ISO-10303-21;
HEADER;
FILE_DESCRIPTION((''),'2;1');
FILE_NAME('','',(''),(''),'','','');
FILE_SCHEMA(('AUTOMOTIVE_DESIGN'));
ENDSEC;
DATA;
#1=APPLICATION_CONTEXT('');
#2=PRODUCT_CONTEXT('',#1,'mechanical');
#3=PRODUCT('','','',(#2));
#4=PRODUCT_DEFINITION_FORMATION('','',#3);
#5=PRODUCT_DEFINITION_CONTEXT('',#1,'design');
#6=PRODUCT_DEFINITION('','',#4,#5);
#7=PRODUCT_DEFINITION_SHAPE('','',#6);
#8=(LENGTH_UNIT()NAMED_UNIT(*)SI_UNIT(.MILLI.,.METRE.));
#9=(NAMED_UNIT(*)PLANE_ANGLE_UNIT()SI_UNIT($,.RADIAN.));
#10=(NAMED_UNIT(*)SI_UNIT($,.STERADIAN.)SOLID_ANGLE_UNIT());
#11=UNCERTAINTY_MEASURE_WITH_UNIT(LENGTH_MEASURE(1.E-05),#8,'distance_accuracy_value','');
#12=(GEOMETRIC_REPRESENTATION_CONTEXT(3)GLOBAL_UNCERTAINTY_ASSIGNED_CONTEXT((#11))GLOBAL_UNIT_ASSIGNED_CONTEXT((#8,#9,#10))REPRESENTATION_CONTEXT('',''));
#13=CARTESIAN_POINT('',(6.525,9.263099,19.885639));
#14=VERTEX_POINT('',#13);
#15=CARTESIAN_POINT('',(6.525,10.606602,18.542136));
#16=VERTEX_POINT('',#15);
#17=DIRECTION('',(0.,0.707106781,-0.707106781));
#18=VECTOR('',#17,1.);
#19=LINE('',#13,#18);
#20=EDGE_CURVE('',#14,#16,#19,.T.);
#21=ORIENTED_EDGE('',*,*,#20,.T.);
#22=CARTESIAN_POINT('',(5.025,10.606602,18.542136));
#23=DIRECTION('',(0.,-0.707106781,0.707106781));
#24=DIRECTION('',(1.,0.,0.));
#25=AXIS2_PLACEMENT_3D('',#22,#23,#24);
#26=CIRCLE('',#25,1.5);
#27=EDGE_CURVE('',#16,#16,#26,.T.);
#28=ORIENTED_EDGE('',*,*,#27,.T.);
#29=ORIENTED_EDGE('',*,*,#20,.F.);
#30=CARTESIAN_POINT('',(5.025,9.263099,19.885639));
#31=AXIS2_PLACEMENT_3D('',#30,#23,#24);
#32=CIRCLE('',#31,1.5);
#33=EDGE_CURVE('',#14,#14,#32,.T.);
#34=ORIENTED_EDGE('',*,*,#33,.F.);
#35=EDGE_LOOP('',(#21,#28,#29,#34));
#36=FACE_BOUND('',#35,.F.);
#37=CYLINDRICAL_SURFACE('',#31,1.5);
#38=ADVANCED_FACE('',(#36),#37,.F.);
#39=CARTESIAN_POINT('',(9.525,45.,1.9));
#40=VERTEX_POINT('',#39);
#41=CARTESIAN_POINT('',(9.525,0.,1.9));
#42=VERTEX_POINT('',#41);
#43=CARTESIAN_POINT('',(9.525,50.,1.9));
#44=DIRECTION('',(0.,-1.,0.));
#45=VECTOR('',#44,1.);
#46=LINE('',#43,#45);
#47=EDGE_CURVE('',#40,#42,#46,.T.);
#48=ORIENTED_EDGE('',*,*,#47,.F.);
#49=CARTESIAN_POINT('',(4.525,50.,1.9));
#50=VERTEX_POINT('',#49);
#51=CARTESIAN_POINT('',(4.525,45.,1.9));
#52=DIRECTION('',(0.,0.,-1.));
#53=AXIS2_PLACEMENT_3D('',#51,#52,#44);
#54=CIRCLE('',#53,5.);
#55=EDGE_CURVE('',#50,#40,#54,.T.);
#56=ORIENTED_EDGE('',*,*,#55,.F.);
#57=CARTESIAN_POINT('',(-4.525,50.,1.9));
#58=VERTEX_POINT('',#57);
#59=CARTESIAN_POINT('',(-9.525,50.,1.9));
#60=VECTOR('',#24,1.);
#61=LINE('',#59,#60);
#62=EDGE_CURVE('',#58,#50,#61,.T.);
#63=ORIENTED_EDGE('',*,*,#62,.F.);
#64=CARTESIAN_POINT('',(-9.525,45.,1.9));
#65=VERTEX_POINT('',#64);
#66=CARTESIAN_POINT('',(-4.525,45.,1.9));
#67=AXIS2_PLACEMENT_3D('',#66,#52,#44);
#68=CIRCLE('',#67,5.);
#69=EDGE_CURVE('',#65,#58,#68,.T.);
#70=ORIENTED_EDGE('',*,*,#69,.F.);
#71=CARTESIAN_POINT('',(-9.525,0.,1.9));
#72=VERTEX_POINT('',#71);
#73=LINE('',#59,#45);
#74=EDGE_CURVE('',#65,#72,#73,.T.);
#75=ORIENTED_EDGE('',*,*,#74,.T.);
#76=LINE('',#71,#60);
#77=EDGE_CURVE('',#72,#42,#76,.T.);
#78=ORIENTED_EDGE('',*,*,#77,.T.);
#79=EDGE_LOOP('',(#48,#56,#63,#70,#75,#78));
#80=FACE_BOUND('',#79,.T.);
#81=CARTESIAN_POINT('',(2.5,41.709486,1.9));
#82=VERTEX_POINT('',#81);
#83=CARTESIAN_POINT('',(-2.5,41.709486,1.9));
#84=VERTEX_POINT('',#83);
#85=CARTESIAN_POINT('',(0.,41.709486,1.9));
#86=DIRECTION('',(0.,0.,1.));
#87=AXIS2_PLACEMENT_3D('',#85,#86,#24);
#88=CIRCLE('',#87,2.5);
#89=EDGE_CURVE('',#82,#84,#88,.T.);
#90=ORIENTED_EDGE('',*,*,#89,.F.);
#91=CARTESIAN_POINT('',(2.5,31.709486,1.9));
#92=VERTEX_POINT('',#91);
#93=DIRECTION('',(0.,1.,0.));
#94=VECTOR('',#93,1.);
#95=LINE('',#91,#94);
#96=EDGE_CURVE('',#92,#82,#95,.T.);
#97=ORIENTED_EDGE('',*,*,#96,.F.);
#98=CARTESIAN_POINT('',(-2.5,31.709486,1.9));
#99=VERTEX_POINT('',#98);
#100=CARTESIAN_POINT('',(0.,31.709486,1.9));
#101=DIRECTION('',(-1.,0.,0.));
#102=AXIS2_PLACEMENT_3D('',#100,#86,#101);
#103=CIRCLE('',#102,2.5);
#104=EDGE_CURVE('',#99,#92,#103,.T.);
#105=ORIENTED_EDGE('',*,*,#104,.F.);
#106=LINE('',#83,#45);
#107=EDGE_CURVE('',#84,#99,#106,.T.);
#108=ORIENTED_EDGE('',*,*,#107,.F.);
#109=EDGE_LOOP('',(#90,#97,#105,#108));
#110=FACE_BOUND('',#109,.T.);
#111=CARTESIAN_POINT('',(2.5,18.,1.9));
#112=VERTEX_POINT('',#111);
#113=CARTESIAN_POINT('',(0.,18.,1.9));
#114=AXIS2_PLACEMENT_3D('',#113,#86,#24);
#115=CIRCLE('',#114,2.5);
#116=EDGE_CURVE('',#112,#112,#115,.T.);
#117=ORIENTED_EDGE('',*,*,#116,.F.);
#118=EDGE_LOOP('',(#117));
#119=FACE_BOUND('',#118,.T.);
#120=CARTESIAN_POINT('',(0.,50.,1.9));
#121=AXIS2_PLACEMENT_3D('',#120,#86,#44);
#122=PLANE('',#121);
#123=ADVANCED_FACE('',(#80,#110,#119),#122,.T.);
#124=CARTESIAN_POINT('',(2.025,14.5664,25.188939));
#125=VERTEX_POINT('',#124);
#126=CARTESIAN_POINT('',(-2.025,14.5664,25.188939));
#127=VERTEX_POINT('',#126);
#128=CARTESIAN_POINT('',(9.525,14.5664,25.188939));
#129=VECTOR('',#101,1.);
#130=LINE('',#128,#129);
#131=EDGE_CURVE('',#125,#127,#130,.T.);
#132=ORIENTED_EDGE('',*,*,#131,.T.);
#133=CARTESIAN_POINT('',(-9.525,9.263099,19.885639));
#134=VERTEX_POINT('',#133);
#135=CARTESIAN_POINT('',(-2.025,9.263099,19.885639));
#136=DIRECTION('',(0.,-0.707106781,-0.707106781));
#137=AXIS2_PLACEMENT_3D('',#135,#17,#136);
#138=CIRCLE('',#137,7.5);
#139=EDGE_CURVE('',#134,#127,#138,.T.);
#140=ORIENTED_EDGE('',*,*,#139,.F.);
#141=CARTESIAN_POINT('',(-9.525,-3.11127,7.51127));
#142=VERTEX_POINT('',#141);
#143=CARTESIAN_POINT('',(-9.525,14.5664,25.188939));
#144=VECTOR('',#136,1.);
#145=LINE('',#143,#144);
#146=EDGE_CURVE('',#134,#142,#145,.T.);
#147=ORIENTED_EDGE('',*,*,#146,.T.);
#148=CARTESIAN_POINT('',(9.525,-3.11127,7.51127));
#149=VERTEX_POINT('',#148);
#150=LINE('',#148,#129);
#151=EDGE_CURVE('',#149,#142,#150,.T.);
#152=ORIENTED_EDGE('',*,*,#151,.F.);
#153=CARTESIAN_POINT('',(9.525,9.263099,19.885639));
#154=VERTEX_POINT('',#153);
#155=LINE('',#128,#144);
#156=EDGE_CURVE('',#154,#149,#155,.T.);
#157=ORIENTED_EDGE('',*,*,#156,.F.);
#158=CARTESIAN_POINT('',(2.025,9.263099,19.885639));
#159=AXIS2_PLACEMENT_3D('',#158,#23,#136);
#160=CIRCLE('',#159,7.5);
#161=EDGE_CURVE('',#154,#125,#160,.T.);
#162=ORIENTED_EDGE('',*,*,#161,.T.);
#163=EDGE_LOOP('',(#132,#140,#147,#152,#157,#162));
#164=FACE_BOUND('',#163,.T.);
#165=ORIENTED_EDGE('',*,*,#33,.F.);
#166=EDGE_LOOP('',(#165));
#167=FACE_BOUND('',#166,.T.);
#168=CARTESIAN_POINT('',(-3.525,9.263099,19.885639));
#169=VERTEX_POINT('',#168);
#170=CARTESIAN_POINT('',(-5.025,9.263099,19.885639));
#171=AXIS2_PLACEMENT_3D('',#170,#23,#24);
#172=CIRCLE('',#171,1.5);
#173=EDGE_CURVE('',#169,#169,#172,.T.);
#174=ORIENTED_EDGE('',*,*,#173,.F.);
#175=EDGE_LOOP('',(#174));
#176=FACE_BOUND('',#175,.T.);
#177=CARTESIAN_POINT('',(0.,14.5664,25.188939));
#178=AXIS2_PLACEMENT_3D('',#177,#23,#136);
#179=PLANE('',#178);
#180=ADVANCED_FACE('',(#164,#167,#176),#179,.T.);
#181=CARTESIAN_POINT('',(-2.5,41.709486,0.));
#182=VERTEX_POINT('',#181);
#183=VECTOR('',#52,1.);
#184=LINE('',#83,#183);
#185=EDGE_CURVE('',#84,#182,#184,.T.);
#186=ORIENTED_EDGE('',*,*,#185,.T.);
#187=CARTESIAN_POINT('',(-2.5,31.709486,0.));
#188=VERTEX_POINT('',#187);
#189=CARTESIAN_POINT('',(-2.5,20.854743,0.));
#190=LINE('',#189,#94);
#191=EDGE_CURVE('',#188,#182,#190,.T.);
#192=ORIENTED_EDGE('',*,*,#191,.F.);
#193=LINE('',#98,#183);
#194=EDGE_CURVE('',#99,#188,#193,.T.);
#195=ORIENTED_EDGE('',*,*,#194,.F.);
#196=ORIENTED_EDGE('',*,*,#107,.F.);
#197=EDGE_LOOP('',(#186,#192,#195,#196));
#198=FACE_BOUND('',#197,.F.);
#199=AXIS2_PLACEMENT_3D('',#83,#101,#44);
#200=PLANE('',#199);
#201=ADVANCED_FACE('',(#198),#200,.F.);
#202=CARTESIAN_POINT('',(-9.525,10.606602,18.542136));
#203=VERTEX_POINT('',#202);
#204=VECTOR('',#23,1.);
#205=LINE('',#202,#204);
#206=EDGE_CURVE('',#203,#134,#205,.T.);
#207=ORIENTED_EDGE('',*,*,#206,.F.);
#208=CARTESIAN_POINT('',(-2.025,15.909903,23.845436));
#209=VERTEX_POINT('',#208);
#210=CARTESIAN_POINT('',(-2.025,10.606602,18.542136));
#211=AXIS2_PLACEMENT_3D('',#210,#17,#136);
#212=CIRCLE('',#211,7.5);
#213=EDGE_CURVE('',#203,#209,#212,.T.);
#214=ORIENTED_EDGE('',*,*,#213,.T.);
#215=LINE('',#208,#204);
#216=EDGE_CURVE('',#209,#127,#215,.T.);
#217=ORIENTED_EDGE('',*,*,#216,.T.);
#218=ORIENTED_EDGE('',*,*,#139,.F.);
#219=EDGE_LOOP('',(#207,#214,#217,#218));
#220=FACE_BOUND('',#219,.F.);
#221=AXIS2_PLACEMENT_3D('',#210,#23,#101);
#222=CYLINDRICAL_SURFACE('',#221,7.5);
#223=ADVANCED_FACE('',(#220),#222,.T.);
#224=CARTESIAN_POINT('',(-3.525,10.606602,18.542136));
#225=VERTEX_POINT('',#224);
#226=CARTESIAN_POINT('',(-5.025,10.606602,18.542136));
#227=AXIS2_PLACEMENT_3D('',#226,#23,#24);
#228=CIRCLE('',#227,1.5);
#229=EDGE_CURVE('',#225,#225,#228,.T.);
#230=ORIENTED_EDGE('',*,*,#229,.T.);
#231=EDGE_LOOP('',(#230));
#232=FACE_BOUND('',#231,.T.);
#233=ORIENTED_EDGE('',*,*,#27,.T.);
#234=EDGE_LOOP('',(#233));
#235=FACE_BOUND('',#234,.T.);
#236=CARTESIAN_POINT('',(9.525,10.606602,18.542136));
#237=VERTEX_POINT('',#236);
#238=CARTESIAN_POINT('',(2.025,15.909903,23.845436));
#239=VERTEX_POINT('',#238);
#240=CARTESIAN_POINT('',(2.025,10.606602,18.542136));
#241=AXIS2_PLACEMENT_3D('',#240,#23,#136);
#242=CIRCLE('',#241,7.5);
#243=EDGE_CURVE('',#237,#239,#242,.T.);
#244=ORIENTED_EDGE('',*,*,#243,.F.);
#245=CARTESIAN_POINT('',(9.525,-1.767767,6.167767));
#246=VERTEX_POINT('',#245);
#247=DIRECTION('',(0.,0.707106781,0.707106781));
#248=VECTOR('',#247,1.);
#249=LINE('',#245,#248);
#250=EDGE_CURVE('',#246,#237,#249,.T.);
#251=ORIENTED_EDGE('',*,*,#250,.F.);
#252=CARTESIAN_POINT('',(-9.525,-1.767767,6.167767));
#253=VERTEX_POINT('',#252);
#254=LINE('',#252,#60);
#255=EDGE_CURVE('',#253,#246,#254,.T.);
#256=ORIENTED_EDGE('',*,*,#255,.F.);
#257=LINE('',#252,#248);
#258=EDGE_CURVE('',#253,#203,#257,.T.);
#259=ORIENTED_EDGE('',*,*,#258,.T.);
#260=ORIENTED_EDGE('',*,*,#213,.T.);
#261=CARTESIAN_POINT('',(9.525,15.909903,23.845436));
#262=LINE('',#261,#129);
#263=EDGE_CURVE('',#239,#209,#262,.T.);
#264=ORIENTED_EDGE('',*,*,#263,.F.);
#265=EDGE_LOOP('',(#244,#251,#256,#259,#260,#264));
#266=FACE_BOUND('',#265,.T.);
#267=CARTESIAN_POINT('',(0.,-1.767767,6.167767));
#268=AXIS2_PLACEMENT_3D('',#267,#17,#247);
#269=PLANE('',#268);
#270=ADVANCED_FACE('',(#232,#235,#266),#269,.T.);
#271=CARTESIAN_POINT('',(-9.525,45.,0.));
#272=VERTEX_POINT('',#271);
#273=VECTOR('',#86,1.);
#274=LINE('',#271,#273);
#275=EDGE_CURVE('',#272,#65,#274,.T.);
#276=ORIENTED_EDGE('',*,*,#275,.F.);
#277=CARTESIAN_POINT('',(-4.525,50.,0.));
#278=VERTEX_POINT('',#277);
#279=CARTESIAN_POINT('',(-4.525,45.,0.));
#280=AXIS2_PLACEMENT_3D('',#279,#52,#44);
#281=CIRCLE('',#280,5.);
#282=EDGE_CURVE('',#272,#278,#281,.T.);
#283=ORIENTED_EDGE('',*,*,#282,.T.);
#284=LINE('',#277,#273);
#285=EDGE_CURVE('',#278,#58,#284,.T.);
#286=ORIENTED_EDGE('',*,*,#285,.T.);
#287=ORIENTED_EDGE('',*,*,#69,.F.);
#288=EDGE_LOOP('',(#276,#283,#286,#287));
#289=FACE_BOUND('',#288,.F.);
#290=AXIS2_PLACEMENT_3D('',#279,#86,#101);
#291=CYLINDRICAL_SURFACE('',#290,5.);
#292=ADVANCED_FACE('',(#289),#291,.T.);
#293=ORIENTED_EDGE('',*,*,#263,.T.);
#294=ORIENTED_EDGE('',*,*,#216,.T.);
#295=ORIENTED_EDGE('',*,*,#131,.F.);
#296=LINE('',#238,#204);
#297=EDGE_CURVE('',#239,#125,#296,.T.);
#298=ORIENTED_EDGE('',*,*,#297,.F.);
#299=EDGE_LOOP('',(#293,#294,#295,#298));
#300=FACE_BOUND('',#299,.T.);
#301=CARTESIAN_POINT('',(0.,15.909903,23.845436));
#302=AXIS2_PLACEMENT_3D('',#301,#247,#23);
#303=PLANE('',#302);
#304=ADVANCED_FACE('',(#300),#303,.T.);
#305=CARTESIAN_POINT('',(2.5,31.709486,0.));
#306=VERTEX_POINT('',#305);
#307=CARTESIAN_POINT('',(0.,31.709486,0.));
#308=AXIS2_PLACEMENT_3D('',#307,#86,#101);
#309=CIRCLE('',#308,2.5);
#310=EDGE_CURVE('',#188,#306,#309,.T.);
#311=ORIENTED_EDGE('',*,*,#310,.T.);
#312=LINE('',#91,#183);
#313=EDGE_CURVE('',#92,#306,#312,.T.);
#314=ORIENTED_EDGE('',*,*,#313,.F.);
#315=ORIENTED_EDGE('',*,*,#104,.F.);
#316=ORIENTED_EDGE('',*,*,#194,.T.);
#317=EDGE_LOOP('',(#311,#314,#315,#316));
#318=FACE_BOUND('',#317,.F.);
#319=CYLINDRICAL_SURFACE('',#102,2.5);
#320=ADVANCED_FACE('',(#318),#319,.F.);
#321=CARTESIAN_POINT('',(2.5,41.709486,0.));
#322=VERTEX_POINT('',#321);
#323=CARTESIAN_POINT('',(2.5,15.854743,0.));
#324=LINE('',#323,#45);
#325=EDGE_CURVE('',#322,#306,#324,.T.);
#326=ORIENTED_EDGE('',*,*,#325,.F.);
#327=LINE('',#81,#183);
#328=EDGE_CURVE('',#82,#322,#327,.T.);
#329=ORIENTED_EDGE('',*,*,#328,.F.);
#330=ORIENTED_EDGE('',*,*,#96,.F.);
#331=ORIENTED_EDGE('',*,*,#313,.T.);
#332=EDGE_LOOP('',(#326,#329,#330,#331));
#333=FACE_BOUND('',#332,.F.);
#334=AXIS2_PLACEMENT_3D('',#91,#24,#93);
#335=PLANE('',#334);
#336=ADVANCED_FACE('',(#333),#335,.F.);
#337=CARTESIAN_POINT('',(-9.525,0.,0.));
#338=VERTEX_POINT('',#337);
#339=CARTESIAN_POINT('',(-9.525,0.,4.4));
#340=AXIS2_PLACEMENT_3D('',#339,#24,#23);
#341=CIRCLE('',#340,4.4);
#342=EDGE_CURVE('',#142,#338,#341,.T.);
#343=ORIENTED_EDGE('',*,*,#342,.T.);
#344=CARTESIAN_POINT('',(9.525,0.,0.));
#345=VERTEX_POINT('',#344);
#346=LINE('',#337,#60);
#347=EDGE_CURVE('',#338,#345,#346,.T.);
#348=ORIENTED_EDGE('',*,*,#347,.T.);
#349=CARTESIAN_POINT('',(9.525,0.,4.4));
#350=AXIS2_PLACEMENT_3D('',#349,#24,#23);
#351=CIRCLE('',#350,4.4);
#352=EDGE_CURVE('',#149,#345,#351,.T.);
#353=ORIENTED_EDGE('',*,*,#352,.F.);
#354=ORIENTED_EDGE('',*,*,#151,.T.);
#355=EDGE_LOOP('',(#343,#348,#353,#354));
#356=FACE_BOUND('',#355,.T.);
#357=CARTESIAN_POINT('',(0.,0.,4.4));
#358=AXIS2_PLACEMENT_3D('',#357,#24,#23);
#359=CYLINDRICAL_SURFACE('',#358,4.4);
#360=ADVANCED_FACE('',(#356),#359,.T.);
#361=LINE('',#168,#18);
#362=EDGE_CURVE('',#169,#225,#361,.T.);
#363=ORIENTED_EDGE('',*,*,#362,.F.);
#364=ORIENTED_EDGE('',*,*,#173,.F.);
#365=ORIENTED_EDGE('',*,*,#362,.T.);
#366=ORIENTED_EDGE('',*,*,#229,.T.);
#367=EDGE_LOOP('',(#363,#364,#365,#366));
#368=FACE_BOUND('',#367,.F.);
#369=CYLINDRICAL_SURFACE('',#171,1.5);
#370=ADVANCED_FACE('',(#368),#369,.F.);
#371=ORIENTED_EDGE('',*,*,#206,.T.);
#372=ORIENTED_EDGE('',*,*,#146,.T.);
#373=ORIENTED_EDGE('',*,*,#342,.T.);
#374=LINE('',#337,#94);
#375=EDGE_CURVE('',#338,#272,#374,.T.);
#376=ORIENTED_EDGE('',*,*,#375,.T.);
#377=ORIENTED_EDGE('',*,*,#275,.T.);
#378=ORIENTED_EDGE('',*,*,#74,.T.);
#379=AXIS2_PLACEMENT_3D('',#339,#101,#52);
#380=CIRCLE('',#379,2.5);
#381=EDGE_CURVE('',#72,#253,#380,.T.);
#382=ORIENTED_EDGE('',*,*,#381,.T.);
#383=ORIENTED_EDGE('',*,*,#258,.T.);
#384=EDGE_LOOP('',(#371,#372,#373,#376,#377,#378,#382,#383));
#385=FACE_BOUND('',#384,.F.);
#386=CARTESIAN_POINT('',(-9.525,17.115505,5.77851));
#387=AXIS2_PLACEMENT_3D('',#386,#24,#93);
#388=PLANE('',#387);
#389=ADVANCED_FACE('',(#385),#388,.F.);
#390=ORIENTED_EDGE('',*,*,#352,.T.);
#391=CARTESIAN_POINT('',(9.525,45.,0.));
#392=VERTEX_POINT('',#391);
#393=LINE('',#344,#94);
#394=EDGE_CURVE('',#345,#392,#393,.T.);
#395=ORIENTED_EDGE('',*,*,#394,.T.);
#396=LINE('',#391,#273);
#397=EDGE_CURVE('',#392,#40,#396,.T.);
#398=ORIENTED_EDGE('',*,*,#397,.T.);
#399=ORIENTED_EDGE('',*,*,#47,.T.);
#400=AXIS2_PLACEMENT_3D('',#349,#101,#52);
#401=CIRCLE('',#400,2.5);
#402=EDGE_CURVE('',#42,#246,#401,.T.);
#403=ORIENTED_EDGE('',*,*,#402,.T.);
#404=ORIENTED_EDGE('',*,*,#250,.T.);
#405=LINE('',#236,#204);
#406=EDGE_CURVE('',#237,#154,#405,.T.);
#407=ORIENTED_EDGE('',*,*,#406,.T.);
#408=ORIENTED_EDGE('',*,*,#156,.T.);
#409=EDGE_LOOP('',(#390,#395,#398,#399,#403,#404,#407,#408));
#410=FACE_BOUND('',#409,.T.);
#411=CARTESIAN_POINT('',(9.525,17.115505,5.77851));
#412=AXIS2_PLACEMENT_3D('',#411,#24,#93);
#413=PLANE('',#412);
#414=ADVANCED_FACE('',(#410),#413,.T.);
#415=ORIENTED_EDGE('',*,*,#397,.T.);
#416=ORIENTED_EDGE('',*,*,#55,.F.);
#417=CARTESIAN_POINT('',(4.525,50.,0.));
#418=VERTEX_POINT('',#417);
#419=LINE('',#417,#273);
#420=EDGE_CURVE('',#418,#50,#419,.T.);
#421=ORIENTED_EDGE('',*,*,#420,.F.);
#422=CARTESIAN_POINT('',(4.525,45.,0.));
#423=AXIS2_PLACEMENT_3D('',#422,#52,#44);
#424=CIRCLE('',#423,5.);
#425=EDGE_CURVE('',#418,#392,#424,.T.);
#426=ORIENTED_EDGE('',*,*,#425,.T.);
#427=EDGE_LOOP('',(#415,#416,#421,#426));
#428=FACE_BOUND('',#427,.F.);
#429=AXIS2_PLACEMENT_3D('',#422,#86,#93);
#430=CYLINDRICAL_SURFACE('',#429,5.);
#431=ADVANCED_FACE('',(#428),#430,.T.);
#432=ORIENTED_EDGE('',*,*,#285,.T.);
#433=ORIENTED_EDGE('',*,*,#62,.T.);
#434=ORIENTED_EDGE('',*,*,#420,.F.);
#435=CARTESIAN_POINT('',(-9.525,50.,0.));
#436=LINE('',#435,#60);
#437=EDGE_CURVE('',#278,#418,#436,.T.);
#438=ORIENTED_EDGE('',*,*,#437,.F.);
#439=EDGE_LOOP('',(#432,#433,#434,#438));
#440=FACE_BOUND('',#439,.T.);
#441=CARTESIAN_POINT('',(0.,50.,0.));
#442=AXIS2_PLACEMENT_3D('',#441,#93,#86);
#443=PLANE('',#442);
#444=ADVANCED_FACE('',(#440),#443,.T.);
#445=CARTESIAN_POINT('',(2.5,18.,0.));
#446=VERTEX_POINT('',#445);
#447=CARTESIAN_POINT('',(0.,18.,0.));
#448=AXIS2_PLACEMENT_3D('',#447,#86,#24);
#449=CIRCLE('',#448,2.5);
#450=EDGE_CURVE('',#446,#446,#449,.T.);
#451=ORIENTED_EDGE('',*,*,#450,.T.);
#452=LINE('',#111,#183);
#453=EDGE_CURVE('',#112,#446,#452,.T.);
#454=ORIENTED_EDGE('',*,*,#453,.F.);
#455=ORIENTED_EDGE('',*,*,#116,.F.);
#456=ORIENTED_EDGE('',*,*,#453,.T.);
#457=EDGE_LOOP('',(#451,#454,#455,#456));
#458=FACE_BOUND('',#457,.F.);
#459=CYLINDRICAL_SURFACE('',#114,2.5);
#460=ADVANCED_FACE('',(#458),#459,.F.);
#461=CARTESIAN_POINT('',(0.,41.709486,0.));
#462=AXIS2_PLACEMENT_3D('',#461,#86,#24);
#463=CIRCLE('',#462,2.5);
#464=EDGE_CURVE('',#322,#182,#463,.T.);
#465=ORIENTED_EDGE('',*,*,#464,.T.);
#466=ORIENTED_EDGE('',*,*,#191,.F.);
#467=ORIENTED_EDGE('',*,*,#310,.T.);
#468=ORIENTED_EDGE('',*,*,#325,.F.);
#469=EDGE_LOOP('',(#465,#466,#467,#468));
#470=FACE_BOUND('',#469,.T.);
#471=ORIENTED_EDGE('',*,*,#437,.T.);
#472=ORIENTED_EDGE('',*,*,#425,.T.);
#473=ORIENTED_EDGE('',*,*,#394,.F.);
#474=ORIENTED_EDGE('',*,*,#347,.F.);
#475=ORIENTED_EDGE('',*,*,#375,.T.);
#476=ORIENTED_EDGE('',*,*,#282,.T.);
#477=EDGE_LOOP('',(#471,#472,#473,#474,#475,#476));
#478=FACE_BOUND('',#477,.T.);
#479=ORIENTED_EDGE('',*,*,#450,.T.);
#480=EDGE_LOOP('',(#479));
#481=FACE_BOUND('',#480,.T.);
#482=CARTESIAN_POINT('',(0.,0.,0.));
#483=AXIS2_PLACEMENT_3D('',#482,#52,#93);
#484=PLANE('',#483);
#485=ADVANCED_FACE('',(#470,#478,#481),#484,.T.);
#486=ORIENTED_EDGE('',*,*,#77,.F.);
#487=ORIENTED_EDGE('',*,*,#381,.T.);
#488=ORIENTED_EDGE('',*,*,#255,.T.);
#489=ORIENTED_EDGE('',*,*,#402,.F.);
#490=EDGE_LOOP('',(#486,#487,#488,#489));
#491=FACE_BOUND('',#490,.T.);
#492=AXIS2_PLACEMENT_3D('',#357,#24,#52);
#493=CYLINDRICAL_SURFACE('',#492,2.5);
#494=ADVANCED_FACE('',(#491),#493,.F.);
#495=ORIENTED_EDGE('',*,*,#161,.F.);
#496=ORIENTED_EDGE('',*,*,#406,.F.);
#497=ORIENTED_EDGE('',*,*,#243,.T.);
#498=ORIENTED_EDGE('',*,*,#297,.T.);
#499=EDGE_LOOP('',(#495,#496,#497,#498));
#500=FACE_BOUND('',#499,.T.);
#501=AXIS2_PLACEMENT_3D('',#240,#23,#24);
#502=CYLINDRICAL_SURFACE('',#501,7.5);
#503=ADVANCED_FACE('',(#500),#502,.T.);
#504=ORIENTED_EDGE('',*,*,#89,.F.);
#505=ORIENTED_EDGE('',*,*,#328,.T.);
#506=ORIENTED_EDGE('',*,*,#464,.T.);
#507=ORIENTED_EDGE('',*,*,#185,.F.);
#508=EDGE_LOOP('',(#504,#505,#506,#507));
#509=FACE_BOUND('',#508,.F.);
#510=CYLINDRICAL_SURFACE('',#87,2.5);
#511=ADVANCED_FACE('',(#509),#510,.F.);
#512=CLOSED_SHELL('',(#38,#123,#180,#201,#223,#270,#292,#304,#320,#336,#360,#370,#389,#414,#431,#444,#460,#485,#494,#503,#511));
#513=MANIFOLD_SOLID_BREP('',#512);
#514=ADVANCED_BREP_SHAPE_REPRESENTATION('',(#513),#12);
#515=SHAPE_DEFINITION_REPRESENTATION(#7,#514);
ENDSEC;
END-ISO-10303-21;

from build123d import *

# Parameters (mm, degrees)
F1_DEPTH = 9.525
F2_R     = 2.5
F3_DEPTH = 1.901
F4_R     = 1.5
F5_DEPTH = 1.9
F6_R     = 7.5
F7_R     = 5


with BuildPart() as f1:
    # F0 (on Right) → F1 (new body, symmetric)
    with BuildSketch(Plane.YZ):
        with BuildLine():
            ThreePointArc((-3.1112698372, 7.5112698372), (-4.065069943, 2.7161928976), (0, 0))
            Line((0, 0), (50, 0))
            Line((50, 0), (50, 1.9))
            Line((50, 1.9), (0, 1.9))
            ThreePointArc((0, 1.9), (-2.3096988313, 3.4432914191), (-1.767766953, 6.167766953))
            Line((-1.767766953, 6.167766953), (15.9099025767, 23.8454364826))
            Line((15.9099025767, 23.8454364826), (14.5663996924, 25.1889393669))
            Line((14.5663996924, 25.1889393669), (-3.1112698372, 7.5112698372))
        make_face()
    extrude(amount=F1_DEPTH, both=True)

    # F2 (on face) → F3 (cut, through all)
    with BuildSketch(Plane.XY.offset(1.9)):
        with Locations((0, 18)):
            Circle(F2_R)
        with BuildLine():
            Line((2.5, 31.7094863951), (2.5, 41.7094863951))
            ThreePointArc((2.5, 41.7094863951), (0, 44.2094863951), (-2.5, 41.7094863951))
            Line((-2.5, 41.7094863951), (-2.5, 31.7094863951))
            ThreePointArc((-2.5, 31.7094863951), (0, 29.2094863951), (2.5, 31.7094863951))
        make_face()
    extrude(amount=-F3_DEPTH, mode=Mode.SUBTRACT)

    # F4 (on face) → F5 (cut)
    with BuildSketch(Plane(origin=(0, -5.3112698372, 5.3112698372), x_dir=(1, 0, 0), z_dir=(0, -0.7071067812, 0.7071067812))):
        with Locations((-5.025, 20.6112698372)):
            Circle(F4_R)
        with Locations((5.025, 20.6112698372)):
            Circle(F4_R)
    extrude(amount=-F5_DEPTH, mode=Mode.SUBTRACT)

    # F6
    f6_edges = [f1.edges().sort_by_distance(p)[0] for p in [
        (9.525, 15.238151, 24.517188),
        (-9.525, 15.238151, 24.517188),
    ]]
    fillet(f6_edges, radius=F6_R)

    # F7
    f7_edges = [f1.edges().sort_by_distance(p)[0] for p in [
        (-9.525, 50, 0.95),
        (9.525, 50, 0.95),
    ]]
    fillet(f7_edges, radius=F7_R)


solid = f1.part
